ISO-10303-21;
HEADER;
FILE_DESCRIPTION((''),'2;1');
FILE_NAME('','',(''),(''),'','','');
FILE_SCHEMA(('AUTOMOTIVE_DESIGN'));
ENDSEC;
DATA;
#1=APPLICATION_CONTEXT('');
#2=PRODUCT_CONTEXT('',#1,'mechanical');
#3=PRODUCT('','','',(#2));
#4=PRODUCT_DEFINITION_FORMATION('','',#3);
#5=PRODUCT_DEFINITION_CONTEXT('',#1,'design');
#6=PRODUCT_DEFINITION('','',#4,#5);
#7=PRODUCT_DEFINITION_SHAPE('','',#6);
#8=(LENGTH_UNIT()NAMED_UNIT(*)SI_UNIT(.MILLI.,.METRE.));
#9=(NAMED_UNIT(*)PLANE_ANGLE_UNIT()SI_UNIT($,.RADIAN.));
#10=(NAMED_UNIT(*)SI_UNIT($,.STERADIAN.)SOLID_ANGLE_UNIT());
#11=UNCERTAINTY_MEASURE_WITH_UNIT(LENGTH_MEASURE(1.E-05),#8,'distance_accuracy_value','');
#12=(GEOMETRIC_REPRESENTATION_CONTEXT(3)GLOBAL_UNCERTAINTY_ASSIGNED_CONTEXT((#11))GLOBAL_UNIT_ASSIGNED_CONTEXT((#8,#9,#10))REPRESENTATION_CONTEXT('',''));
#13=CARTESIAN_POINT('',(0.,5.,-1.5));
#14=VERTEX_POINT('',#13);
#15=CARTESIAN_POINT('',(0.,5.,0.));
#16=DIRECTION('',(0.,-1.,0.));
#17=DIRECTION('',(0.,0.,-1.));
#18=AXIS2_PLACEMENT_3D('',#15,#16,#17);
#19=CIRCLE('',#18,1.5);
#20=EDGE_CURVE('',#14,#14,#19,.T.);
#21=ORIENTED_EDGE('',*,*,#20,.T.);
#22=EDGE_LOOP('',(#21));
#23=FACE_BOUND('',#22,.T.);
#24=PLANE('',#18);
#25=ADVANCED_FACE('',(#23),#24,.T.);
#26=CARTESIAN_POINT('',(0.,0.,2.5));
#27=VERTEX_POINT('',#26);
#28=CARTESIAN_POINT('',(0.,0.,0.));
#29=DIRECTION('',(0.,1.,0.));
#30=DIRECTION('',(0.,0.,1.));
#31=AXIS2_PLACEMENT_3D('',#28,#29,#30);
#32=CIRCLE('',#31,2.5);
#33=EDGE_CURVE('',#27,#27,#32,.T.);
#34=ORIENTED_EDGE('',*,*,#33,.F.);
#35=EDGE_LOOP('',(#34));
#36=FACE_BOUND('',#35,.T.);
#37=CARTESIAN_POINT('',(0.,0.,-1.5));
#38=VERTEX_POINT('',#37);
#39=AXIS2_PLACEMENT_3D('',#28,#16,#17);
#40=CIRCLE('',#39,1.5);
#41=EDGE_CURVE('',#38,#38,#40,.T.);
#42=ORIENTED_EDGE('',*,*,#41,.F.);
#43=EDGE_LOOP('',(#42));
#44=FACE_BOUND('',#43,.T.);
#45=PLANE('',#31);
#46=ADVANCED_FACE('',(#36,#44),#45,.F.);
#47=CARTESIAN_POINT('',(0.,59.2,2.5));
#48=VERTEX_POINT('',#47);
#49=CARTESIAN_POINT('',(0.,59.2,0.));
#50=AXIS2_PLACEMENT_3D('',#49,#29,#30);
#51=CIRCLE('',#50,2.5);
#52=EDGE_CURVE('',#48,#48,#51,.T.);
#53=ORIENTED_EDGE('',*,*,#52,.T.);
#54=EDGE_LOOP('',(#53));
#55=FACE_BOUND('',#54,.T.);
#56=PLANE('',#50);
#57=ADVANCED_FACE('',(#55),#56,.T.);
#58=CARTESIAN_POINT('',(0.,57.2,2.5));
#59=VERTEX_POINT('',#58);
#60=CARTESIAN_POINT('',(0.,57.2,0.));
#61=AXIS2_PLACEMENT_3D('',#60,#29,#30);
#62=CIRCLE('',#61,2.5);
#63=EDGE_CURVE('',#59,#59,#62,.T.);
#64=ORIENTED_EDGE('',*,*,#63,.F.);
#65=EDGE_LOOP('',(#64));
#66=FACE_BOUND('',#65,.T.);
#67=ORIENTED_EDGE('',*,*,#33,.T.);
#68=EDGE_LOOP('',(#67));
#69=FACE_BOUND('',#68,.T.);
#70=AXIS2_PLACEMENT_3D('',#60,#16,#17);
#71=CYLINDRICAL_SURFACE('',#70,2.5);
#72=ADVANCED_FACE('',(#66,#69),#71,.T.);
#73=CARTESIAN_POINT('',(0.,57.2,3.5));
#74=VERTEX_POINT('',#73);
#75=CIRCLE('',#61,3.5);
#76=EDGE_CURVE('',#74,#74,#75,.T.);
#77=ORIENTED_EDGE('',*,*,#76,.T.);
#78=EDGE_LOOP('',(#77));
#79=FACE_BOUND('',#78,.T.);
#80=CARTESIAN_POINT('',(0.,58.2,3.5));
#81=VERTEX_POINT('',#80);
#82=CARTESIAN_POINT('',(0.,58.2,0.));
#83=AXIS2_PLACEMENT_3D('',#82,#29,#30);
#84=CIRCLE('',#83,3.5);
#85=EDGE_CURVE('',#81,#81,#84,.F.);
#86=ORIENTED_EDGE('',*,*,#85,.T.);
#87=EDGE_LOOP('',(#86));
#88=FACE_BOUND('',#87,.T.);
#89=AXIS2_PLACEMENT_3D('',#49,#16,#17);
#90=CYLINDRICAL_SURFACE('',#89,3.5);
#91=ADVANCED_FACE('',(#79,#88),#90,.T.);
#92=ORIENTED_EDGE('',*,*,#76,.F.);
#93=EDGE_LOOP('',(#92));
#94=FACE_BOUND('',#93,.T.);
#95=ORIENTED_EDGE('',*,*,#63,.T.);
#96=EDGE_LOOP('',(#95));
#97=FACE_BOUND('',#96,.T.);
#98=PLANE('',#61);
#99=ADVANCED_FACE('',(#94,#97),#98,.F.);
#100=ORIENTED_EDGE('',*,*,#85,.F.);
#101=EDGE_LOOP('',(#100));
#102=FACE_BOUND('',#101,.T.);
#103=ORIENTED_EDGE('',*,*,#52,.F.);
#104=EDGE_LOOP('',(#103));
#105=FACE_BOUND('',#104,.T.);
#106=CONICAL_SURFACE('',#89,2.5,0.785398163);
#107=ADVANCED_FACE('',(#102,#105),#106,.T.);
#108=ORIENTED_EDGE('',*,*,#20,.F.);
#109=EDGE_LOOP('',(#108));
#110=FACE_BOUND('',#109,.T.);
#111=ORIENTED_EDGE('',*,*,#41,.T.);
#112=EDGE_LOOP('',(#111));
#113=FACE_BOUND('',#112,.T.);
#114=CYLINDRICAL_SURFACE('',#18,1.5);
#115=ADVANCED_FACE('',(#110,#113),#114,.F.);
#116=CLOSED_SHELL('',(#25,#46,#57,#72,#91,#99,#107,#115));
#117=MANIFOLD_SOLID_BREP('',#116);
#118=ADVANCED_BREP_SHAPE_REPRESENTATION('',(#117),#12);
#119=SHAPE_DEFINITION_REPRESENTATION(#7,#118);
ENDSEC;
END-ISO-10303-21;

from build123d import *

# Parameters (mm, degrees)
SKETCH1_R           = 2.5
BOSS_EXTRUDE1_DEPTH = 57.2
SKETCH2_R           = 3.5
BOSS_EXTRUDE2_DEPTH = 2
CHAMFER1_SIZE       = 1
SKETCH3_R           = 1.5
CUT_EXTRUDE1_DEPTH  = 5


with BuildPart() as part:
    # Sketch1 → Boss-Extrude1 (new body)
    with BuildSketch(Plane(origin=(0, 0, 0), x_dir=(1, 0, 0), z_dir=(0, 1, 0))):
        Circle(SKETCH1_R)
    extrude(amount=BOSS_EXTRUDE1_DEPTH)

    # Sketch2 → Boss-Extrude2 (add)
    with BuildSketch(Plane(origin=(0, 57.2, 0), x_dir=(1, 0, 0), z_dir=(0, 1, 0))):
        Circle(SKETCH2_R)
    extrude(amount=BOSS_EXTRUDE2_DEPTH)

    # Chamfer1
    chamfer1_edges = [part.edges().sort_by_distance(p)[0] for p in [
        (-3.5, 59.2, 0),
    ]]
    chamfer(chamfer1_edges, length=CHAMFER1_SIZE)

    # Sketch3 → Cut-Extrude1 (cut)
    with BuildSketch(Plane.XZ):
        Circle(SKETCH3_R)
    extrude(amount=-CUT_EXTRUDE1_DEPTH, mode=Mode.SUBTRACT)


solid = part.part
